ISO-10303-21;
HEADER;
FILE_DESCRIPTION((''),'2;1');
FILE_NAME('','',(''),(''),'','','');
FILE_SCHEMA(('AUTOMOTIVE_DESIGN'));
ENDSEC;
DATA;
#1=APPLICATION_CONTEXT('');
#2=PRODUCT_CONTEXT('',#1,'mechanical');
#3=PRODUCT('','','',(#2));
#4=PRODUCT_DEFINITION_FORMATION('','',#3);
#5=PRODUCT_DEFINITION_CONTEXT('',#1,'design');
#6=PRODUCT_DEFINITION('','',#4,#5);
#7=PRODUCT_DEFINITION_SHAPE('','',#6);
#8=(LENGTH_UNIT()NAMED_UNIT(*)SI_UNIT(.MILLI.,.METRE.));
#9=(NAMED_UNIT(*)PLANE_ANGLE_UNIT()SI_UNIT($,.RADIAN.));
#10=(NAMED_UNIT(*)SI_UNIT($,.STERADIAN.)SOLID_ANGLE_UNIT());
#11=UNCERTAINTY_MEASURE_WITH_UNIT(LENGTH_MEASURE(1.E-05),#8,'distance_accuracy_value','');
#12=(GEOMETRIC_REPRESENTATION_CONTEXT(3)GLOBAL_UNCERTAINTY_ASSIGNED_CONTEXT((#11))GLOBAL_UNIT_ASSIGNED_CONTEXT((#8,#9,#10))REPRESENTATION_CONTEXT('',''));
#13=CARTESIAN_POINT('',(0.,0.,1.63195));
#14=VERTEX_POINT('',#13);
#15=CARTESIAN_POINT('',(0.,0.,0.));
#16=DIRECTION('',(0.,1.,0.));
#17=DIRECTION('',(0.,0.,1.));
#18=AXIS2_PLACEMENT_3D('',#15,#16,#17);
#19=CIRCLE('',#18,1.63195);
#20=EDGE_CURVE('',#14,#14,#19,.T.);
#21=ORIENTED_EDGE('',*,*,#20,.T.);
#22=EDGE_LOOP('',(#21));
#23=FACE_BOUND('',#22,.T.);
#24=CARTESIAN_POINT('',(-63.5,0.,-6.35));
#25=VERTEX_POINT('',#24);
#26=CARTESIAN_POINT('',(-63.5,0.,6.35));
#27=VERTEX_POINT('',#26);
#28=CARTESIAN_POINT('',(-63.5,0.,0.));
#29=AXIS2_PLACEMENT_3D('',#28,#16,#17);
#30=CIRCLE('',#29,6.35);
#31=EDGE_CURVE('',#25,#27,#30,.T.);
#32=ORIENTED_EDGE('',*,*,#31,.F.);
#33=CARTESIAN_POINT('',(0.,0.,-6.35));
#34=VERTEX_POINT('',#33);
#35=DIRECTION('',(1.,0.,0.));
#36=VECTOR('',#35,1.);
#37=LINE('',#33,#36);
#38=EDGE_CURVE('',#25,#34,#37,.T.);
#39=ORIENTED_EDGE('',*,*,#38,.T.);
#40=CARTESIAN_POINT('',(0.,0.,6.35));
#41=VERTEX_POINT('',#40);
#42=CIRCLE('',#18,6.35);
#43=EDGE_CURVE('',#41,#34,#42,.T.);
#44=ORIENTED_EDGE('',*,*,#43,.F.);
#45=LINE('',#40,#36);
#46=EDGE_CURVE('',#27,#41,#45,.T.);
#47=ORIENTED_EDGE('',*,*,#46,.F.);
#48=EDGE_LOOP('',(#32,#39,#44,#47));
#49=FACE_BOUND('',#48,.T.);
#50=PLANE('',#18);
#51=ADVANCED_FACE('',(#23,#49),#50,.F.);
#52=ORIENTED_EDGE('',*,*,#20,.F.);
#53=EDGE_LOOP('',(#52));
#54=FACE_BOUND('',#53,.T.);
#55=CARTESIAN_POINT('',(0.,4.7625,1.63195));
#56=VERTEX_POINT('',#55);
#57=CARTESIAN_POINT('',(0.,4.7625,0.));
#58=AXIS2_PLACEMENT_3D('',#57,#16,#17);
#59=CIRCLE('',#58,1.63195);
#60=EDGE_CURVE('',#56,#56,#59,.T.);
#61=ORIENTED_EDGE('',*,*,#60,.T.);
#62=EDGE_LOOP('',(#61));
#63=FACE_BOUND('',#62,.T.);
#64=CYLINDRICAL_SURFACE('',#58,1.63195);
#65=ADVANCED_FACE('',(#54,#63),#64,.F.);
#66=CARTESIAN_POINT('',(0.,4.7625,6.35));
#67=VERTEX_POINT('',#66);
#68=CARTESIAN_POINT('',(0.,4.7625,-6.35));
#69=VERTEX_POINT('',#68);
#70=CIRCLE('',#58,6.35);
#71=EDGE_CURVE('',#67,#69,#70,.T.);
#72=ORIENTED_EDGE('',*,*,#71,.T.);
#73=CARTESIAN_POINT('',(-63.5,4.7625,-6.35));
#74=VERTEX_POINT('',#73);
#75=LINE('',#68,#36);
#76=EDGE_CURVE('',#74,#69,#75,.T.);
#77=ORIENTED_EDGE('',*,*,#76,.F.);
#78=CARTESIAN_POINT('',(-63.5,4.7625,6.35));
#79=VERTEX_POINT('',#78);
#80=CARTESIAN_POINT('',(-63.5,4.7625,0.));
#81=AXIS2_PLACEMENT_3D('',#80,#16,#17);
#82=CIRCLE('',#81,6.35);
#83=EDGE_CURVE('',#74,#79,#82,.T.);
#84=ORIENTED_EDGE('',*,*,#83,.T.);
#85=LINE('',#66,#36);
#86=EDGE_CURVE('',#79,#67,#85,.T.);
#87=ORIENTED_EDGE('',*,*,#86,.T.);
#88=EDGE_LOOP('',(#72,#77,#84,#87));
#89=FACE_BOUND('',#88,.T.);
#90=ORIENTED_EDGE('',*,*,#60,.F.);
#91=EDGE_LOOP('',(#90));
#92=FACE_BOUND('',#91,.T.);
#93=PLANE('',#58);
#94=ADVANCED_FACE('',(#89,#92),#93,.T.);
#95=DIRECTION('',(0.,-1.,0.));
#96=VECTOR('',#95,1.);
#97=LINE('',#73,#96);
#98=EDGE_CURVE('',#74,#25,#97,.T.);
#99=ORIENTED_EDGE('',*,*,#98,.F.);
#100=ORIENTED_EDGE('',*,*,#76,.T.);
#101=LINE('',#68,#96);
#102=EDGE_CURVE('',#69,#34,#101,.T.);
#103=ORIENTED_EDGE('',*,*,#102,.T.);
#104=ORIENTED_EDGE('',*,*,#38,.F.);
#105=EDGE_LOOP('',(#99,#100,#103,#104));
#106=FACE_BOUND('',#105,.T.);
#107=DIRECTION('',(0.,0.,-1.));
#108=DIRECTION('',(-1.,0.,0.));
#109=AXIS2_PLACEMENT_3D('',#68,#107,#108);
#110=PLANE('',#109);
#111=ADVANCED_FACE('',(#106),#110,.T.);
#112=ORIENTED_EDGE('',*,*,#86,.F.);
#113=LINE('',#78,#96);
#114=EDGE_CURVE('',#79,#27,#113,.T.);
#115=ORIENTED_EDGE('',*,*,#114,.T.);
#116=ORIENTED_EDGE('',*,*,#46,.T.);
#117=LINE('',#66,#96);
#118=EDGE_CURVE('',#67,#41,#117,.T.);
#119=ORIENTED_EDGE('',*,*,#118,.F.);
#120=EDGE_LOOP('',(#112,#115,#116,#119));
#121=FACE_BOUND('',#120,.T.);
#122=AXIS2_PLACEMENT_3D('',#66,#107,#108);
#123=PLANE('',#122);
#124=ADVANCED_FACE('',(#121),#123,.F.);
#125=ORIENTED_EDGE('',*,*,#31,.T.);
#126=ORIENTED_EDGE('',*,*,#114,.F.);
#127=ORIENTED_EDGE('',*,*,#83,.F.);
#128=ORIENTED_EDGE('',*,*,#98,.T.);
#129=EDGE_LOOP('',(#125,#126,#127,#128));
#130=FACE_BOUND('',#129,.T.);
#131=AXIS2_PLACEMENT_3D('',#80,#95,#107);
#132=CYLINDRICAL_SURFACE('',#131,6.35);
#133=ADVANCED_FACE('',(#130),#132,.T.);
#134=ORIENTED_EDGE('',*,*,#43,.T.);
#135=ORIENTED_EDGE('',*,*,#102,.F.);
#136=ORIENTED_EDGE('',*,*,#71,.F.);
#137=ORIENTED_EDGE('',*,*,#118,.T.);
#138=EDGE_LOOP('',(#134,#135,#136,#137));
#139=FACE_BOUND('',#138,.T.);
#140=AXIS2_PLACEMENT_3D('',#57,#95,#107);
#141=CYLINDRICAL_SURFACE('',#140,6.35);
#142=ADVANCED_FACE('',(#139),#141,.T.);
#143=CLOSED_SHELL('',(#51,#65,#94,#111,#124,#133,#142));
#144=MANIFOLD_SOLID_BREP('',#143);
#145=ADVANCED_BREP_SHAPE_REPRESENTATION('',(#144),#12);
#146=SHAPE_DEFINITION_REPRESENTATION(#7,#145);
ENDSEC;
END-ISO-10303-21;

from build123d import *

# Parameters (mm, degrees)
BOSS_EXTRUDE2_DEPTH   = 4.7625
F_4_CLEARANCE_HOLE1_D = 3.2639


with BuildPart() as part:
    # Sketch1 → Boss-Extrude2 (new body)
    with BuildSketch(Plane(origin=(0, 0, 0), x_dir=(1, 0, 0), z_dir=(0, 1, 0))):
        with BuildLine():
            Line((-63.5, 6.35), (0, 6.35))
            ThreePointArc((0, 6.35), (6.35, 0), (0, -6.35))
            Line((0, -6.35), (-63.5, -6.35))
            ThreePointArc((-63.5, -6.35), (-69.85, 0), (-63.5, 6.35))
        make_face()
    extrude(amount=BOSS_EXTRUDE2_DEPTH)

    # #4 Clearance Hole1 (through all)
    with Locations(Plane(origin=(0, 4.7625, 0), x_dir=(1, 0, 0), z_dir=(0, 1, 0))):
        with Locations((0, 0)):
            Hole(F_4_CLEARANCE_HOLE1_D / 2)


solid = part.part
